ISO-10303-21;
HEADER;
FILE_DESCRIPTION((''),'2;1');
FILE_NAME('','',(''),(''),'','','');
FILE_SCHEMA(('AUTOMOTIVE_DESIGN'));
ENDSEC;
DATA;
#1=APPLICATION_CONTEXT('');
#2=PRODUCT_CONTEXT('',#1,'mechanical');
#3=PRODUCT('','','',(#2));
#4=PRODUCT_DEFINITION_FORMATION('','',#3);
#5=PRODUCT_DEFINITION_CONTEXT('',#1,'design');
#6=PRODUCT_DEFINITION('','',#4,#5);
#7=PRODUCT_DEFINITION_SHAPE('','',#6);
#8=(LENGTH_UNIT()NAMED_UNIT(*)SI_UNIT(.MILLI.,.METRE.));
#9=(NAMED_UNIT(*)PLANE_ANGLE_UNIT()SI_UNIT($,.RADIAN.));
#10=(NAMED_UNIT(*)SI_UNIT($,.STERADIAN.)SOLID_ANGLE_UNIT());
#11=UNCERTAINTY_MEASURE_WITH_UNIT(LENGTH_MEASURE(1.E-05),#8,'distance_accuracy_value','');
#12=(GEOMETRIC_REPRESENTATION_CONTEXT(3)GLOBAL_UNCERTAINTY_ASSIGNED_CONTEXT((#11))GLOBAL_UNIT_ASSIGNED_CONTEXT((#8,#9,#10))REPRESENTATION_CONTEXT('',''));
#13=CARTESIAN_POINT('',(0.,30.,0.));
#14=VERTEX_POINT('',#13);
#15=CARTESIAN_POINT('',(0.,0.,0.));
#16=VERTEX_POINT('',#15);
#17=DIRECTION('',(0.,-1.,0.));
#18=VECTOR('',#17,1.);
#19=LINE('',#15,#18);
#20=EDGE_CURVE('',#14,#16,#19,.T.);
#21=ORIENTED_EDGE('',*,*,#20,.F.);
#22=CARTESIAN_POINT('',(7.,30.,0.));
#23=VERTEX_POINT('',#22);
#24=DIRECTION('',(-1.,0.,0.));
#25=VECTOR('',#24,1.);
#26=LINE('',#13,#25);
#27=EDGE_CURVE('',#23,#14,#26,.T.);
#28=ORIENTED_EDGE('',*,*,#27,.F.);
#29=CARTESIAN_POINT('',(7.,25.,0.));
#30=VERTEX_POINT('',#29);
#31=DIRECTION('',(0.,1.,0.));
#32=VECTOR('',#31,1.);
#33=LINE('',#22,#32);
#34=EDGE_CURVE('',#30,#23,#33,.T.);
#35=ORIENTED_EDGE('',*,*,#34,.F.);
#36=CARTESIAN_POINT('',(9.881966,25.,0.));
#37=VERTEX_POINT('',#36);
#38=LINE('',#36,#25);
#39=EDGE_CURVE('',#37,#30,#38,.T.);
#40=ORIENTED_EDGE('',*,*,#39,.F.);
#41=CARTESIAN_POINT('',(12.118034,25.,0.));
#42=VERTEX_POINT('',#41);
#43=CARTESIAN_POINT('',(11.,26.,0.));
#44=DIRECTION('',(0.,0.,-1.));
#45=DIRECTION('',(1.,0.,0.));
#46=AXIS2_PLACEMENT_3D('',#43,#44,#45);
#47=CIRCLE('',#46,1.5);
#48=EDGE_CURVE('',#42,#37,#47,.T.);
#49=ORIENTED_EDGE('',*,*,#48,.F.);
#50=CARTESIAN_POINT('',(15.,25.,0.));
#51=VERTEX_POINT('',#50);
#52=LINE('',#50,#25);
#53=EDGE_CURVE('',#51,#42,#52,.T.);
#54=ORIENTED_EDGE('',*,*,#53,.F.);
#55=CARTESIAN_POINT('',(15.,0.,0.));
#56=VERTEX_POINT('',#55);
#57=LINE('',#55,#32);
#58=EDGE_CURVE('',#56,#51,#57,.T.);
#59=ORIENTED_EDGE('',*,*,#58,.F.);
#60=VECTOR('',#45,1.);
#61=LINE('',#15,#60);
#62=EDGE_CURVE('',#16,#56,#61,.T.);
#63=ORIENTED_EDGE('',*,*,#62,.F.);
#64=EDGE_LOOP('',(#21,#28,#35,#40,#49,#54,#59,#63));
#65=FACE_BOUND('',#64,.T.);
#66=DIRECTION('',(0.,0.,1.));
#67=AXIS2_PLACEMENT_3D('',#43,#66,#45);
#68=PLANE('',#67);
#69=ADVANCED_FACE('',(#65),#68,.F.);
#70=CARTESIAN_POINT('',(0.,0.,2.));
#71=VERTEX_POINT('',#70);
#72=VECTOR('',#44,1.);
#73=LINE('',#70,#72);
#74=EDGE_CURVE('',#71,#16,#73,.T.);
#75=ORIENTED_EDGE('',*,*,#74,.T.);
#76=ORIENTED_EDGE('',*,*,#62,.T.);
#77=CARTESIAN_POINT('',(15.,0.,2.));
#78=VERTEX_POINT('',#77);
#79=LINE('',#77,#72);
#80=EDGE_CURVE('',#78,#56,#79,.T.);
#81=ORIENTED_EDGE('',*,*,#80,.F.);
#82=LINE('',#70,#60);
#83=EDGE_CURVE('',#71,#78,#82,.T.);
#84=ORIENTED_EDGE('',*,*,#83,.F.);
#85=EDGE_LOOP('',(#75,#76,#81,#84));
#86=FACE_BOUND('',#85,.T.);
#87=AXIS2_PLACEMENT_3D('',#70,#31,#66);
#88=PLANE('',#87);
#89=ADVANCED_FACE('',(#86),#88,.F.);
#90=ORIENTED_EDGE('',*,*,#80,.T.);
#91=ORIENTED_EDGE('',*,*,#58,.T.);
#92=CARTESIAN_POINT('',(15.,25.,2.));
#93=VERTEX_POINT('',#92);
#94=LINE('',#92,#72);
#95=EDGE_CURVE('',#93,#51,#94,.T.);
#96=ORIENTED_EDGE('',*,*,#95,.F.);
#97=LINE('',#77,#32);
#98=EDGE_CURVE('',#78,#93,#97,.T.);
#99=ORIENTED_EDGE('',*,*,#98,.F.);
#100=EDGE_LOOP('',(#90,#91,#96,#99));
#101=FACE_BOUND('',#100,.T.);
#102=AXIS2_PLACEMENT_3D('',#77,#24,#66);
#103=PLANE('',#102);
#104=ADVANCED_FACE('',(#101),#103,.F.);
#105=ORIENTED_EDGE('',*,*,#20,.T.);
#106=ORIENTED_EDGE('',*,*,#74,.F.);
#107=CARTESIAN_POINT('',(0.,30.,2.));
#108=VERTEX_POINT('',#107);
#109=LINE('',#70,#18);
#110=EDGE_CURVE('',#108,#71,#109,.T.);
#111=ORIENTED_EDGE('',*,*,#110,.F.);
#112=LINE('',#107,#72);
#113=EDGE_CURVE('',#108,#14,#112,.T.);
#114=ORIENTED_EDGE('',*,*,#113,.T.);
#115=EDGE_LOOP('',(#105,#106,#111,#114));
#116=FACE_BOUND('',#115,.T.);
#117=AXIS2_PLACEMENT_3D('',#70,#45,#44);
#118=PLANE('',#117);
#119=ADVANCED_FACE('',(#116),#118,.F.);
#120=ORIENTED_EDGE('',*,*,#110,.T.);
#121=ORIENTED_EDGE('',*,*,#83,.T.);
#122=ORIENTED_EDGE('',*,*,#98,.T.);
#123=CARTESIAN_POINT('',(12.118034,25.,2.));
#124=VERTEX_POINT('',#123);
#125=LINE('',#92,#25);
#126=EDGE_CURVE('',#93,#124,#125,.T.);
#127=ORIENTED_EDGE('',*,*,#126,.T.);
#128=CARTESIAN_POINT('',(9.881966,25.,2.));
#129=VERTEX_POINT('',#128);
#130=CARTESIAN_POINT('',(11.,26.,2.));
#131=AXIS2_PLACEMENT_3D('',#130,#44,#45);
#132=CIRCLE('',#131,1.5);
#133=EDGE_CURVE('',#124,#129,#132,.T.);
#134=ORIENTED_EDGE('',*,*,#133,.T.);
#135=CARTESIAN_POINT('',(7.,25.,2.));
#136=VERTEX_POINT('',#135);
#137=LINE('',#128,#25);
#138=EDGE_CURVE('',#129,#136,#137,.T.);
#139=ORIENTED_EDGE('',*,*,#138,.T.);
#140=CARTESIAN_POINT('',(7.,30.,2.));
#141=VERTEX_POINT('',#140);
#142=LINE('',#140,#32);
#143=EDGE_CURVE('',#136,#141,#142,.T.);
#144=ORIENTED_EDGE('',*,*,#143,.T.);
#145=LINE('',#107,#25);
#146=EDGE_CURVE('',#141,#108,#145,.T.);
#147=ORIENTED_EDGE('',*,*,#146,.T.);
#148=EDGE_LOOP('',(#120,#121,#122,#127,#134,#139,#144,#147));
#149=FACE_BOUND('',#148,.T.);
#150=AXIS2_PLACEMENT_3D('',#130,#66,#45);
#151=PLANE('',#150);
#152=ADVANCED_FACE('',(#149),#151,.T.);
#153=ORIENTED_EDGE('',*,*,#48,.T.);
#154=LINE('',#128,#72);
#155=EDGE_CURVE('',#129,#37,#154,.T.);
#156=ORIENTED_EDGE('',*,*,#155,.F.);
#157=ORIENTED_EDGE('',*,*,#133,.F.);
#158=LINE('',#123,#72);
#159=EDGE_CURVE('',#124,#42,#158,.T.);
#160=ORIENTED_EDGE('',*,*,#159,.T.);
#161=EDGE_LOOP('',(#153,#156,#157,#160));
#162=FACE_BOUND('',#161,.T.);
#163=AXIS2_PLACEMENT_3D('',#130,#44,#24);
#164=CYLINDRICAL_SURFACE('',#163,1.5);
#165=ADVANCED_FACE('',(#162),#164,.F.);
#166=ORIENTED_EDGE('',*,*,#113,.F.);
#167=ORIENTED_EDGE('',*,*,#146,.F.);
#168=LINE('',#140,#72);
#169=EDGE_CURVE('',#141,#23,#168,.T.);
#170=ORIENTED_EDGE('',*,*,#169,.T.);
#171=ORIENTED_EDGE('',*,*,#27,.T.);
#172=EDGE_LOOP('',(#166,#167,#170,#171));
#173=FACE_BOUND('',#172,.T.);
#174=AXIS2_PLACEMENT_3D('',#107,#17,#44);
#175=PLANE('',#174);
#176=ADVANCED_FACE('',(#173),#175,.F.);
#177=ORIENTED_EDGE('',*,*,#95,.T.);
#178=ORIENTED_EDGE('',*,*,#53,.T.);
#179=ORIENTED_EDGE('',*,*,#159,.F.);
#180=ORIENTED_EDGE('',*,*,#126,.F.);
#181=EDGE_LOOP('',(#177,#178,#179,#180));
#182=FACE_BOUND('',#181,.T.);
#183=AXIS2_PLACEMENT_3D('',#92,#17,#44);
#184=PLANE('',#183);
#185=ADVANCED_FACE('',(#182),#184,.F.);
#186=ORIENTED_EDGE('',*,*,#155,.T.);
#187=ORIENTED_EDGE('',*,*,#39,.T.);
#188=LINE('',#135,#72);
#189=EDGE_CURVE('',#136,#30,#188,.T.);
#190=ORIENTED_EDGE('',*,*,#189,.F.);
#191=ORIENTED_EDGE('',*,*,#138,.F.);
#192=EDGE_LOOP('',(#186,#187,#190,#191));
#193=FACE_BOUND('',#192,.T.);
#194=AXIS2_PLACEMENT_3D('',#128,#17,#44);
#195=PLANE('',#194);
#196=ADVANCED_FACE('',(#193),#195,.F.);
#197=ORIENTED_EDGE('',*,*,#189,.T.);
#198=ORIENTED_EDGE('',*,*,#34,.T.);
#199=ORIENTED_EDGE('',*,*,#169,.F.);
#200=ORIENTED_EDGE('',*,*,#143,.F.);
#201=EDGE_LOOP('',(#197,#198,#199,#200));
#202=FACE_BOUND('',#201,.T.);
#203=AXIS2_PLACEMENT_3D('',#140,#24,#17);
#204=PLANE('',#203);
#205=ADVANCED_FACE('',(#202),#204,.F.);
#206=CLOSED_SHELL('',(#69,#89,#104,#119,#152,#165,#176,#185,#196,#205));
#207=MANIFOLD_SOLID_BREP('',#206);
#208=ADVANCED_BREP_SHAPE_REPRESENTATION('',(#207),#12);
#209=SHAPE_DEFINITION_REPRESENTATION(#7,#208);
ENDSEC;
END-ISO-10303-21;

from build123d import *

# Parameters (mm, degrees)
BOSS_EXTRUDE1_DEPTH = 2


with BuildPart() as part:
    # Sketch1 → Boss-Extrude1 (new body)
    with BuildSketch(Plane.XY):
        with BuildLine():
            Line((15, 25), (12.118033989, 25))
            ThreePointArc((12.118033989, 25), (11, 24.5), (9.881966011, 25))
            Line((9.881966011, 25), (7, 25))
            Line((7, 25), (7, 30))
            Line((7, 30), (0, 30))
            Line((0, 30), (0, 0))
            Line((0, 0), (15, 0))
            Line((15, 0), (15, 25))
        make_face()
    extrude(amount=BOSS_EXTRUDE1_DEPTH)


solid = part.part
